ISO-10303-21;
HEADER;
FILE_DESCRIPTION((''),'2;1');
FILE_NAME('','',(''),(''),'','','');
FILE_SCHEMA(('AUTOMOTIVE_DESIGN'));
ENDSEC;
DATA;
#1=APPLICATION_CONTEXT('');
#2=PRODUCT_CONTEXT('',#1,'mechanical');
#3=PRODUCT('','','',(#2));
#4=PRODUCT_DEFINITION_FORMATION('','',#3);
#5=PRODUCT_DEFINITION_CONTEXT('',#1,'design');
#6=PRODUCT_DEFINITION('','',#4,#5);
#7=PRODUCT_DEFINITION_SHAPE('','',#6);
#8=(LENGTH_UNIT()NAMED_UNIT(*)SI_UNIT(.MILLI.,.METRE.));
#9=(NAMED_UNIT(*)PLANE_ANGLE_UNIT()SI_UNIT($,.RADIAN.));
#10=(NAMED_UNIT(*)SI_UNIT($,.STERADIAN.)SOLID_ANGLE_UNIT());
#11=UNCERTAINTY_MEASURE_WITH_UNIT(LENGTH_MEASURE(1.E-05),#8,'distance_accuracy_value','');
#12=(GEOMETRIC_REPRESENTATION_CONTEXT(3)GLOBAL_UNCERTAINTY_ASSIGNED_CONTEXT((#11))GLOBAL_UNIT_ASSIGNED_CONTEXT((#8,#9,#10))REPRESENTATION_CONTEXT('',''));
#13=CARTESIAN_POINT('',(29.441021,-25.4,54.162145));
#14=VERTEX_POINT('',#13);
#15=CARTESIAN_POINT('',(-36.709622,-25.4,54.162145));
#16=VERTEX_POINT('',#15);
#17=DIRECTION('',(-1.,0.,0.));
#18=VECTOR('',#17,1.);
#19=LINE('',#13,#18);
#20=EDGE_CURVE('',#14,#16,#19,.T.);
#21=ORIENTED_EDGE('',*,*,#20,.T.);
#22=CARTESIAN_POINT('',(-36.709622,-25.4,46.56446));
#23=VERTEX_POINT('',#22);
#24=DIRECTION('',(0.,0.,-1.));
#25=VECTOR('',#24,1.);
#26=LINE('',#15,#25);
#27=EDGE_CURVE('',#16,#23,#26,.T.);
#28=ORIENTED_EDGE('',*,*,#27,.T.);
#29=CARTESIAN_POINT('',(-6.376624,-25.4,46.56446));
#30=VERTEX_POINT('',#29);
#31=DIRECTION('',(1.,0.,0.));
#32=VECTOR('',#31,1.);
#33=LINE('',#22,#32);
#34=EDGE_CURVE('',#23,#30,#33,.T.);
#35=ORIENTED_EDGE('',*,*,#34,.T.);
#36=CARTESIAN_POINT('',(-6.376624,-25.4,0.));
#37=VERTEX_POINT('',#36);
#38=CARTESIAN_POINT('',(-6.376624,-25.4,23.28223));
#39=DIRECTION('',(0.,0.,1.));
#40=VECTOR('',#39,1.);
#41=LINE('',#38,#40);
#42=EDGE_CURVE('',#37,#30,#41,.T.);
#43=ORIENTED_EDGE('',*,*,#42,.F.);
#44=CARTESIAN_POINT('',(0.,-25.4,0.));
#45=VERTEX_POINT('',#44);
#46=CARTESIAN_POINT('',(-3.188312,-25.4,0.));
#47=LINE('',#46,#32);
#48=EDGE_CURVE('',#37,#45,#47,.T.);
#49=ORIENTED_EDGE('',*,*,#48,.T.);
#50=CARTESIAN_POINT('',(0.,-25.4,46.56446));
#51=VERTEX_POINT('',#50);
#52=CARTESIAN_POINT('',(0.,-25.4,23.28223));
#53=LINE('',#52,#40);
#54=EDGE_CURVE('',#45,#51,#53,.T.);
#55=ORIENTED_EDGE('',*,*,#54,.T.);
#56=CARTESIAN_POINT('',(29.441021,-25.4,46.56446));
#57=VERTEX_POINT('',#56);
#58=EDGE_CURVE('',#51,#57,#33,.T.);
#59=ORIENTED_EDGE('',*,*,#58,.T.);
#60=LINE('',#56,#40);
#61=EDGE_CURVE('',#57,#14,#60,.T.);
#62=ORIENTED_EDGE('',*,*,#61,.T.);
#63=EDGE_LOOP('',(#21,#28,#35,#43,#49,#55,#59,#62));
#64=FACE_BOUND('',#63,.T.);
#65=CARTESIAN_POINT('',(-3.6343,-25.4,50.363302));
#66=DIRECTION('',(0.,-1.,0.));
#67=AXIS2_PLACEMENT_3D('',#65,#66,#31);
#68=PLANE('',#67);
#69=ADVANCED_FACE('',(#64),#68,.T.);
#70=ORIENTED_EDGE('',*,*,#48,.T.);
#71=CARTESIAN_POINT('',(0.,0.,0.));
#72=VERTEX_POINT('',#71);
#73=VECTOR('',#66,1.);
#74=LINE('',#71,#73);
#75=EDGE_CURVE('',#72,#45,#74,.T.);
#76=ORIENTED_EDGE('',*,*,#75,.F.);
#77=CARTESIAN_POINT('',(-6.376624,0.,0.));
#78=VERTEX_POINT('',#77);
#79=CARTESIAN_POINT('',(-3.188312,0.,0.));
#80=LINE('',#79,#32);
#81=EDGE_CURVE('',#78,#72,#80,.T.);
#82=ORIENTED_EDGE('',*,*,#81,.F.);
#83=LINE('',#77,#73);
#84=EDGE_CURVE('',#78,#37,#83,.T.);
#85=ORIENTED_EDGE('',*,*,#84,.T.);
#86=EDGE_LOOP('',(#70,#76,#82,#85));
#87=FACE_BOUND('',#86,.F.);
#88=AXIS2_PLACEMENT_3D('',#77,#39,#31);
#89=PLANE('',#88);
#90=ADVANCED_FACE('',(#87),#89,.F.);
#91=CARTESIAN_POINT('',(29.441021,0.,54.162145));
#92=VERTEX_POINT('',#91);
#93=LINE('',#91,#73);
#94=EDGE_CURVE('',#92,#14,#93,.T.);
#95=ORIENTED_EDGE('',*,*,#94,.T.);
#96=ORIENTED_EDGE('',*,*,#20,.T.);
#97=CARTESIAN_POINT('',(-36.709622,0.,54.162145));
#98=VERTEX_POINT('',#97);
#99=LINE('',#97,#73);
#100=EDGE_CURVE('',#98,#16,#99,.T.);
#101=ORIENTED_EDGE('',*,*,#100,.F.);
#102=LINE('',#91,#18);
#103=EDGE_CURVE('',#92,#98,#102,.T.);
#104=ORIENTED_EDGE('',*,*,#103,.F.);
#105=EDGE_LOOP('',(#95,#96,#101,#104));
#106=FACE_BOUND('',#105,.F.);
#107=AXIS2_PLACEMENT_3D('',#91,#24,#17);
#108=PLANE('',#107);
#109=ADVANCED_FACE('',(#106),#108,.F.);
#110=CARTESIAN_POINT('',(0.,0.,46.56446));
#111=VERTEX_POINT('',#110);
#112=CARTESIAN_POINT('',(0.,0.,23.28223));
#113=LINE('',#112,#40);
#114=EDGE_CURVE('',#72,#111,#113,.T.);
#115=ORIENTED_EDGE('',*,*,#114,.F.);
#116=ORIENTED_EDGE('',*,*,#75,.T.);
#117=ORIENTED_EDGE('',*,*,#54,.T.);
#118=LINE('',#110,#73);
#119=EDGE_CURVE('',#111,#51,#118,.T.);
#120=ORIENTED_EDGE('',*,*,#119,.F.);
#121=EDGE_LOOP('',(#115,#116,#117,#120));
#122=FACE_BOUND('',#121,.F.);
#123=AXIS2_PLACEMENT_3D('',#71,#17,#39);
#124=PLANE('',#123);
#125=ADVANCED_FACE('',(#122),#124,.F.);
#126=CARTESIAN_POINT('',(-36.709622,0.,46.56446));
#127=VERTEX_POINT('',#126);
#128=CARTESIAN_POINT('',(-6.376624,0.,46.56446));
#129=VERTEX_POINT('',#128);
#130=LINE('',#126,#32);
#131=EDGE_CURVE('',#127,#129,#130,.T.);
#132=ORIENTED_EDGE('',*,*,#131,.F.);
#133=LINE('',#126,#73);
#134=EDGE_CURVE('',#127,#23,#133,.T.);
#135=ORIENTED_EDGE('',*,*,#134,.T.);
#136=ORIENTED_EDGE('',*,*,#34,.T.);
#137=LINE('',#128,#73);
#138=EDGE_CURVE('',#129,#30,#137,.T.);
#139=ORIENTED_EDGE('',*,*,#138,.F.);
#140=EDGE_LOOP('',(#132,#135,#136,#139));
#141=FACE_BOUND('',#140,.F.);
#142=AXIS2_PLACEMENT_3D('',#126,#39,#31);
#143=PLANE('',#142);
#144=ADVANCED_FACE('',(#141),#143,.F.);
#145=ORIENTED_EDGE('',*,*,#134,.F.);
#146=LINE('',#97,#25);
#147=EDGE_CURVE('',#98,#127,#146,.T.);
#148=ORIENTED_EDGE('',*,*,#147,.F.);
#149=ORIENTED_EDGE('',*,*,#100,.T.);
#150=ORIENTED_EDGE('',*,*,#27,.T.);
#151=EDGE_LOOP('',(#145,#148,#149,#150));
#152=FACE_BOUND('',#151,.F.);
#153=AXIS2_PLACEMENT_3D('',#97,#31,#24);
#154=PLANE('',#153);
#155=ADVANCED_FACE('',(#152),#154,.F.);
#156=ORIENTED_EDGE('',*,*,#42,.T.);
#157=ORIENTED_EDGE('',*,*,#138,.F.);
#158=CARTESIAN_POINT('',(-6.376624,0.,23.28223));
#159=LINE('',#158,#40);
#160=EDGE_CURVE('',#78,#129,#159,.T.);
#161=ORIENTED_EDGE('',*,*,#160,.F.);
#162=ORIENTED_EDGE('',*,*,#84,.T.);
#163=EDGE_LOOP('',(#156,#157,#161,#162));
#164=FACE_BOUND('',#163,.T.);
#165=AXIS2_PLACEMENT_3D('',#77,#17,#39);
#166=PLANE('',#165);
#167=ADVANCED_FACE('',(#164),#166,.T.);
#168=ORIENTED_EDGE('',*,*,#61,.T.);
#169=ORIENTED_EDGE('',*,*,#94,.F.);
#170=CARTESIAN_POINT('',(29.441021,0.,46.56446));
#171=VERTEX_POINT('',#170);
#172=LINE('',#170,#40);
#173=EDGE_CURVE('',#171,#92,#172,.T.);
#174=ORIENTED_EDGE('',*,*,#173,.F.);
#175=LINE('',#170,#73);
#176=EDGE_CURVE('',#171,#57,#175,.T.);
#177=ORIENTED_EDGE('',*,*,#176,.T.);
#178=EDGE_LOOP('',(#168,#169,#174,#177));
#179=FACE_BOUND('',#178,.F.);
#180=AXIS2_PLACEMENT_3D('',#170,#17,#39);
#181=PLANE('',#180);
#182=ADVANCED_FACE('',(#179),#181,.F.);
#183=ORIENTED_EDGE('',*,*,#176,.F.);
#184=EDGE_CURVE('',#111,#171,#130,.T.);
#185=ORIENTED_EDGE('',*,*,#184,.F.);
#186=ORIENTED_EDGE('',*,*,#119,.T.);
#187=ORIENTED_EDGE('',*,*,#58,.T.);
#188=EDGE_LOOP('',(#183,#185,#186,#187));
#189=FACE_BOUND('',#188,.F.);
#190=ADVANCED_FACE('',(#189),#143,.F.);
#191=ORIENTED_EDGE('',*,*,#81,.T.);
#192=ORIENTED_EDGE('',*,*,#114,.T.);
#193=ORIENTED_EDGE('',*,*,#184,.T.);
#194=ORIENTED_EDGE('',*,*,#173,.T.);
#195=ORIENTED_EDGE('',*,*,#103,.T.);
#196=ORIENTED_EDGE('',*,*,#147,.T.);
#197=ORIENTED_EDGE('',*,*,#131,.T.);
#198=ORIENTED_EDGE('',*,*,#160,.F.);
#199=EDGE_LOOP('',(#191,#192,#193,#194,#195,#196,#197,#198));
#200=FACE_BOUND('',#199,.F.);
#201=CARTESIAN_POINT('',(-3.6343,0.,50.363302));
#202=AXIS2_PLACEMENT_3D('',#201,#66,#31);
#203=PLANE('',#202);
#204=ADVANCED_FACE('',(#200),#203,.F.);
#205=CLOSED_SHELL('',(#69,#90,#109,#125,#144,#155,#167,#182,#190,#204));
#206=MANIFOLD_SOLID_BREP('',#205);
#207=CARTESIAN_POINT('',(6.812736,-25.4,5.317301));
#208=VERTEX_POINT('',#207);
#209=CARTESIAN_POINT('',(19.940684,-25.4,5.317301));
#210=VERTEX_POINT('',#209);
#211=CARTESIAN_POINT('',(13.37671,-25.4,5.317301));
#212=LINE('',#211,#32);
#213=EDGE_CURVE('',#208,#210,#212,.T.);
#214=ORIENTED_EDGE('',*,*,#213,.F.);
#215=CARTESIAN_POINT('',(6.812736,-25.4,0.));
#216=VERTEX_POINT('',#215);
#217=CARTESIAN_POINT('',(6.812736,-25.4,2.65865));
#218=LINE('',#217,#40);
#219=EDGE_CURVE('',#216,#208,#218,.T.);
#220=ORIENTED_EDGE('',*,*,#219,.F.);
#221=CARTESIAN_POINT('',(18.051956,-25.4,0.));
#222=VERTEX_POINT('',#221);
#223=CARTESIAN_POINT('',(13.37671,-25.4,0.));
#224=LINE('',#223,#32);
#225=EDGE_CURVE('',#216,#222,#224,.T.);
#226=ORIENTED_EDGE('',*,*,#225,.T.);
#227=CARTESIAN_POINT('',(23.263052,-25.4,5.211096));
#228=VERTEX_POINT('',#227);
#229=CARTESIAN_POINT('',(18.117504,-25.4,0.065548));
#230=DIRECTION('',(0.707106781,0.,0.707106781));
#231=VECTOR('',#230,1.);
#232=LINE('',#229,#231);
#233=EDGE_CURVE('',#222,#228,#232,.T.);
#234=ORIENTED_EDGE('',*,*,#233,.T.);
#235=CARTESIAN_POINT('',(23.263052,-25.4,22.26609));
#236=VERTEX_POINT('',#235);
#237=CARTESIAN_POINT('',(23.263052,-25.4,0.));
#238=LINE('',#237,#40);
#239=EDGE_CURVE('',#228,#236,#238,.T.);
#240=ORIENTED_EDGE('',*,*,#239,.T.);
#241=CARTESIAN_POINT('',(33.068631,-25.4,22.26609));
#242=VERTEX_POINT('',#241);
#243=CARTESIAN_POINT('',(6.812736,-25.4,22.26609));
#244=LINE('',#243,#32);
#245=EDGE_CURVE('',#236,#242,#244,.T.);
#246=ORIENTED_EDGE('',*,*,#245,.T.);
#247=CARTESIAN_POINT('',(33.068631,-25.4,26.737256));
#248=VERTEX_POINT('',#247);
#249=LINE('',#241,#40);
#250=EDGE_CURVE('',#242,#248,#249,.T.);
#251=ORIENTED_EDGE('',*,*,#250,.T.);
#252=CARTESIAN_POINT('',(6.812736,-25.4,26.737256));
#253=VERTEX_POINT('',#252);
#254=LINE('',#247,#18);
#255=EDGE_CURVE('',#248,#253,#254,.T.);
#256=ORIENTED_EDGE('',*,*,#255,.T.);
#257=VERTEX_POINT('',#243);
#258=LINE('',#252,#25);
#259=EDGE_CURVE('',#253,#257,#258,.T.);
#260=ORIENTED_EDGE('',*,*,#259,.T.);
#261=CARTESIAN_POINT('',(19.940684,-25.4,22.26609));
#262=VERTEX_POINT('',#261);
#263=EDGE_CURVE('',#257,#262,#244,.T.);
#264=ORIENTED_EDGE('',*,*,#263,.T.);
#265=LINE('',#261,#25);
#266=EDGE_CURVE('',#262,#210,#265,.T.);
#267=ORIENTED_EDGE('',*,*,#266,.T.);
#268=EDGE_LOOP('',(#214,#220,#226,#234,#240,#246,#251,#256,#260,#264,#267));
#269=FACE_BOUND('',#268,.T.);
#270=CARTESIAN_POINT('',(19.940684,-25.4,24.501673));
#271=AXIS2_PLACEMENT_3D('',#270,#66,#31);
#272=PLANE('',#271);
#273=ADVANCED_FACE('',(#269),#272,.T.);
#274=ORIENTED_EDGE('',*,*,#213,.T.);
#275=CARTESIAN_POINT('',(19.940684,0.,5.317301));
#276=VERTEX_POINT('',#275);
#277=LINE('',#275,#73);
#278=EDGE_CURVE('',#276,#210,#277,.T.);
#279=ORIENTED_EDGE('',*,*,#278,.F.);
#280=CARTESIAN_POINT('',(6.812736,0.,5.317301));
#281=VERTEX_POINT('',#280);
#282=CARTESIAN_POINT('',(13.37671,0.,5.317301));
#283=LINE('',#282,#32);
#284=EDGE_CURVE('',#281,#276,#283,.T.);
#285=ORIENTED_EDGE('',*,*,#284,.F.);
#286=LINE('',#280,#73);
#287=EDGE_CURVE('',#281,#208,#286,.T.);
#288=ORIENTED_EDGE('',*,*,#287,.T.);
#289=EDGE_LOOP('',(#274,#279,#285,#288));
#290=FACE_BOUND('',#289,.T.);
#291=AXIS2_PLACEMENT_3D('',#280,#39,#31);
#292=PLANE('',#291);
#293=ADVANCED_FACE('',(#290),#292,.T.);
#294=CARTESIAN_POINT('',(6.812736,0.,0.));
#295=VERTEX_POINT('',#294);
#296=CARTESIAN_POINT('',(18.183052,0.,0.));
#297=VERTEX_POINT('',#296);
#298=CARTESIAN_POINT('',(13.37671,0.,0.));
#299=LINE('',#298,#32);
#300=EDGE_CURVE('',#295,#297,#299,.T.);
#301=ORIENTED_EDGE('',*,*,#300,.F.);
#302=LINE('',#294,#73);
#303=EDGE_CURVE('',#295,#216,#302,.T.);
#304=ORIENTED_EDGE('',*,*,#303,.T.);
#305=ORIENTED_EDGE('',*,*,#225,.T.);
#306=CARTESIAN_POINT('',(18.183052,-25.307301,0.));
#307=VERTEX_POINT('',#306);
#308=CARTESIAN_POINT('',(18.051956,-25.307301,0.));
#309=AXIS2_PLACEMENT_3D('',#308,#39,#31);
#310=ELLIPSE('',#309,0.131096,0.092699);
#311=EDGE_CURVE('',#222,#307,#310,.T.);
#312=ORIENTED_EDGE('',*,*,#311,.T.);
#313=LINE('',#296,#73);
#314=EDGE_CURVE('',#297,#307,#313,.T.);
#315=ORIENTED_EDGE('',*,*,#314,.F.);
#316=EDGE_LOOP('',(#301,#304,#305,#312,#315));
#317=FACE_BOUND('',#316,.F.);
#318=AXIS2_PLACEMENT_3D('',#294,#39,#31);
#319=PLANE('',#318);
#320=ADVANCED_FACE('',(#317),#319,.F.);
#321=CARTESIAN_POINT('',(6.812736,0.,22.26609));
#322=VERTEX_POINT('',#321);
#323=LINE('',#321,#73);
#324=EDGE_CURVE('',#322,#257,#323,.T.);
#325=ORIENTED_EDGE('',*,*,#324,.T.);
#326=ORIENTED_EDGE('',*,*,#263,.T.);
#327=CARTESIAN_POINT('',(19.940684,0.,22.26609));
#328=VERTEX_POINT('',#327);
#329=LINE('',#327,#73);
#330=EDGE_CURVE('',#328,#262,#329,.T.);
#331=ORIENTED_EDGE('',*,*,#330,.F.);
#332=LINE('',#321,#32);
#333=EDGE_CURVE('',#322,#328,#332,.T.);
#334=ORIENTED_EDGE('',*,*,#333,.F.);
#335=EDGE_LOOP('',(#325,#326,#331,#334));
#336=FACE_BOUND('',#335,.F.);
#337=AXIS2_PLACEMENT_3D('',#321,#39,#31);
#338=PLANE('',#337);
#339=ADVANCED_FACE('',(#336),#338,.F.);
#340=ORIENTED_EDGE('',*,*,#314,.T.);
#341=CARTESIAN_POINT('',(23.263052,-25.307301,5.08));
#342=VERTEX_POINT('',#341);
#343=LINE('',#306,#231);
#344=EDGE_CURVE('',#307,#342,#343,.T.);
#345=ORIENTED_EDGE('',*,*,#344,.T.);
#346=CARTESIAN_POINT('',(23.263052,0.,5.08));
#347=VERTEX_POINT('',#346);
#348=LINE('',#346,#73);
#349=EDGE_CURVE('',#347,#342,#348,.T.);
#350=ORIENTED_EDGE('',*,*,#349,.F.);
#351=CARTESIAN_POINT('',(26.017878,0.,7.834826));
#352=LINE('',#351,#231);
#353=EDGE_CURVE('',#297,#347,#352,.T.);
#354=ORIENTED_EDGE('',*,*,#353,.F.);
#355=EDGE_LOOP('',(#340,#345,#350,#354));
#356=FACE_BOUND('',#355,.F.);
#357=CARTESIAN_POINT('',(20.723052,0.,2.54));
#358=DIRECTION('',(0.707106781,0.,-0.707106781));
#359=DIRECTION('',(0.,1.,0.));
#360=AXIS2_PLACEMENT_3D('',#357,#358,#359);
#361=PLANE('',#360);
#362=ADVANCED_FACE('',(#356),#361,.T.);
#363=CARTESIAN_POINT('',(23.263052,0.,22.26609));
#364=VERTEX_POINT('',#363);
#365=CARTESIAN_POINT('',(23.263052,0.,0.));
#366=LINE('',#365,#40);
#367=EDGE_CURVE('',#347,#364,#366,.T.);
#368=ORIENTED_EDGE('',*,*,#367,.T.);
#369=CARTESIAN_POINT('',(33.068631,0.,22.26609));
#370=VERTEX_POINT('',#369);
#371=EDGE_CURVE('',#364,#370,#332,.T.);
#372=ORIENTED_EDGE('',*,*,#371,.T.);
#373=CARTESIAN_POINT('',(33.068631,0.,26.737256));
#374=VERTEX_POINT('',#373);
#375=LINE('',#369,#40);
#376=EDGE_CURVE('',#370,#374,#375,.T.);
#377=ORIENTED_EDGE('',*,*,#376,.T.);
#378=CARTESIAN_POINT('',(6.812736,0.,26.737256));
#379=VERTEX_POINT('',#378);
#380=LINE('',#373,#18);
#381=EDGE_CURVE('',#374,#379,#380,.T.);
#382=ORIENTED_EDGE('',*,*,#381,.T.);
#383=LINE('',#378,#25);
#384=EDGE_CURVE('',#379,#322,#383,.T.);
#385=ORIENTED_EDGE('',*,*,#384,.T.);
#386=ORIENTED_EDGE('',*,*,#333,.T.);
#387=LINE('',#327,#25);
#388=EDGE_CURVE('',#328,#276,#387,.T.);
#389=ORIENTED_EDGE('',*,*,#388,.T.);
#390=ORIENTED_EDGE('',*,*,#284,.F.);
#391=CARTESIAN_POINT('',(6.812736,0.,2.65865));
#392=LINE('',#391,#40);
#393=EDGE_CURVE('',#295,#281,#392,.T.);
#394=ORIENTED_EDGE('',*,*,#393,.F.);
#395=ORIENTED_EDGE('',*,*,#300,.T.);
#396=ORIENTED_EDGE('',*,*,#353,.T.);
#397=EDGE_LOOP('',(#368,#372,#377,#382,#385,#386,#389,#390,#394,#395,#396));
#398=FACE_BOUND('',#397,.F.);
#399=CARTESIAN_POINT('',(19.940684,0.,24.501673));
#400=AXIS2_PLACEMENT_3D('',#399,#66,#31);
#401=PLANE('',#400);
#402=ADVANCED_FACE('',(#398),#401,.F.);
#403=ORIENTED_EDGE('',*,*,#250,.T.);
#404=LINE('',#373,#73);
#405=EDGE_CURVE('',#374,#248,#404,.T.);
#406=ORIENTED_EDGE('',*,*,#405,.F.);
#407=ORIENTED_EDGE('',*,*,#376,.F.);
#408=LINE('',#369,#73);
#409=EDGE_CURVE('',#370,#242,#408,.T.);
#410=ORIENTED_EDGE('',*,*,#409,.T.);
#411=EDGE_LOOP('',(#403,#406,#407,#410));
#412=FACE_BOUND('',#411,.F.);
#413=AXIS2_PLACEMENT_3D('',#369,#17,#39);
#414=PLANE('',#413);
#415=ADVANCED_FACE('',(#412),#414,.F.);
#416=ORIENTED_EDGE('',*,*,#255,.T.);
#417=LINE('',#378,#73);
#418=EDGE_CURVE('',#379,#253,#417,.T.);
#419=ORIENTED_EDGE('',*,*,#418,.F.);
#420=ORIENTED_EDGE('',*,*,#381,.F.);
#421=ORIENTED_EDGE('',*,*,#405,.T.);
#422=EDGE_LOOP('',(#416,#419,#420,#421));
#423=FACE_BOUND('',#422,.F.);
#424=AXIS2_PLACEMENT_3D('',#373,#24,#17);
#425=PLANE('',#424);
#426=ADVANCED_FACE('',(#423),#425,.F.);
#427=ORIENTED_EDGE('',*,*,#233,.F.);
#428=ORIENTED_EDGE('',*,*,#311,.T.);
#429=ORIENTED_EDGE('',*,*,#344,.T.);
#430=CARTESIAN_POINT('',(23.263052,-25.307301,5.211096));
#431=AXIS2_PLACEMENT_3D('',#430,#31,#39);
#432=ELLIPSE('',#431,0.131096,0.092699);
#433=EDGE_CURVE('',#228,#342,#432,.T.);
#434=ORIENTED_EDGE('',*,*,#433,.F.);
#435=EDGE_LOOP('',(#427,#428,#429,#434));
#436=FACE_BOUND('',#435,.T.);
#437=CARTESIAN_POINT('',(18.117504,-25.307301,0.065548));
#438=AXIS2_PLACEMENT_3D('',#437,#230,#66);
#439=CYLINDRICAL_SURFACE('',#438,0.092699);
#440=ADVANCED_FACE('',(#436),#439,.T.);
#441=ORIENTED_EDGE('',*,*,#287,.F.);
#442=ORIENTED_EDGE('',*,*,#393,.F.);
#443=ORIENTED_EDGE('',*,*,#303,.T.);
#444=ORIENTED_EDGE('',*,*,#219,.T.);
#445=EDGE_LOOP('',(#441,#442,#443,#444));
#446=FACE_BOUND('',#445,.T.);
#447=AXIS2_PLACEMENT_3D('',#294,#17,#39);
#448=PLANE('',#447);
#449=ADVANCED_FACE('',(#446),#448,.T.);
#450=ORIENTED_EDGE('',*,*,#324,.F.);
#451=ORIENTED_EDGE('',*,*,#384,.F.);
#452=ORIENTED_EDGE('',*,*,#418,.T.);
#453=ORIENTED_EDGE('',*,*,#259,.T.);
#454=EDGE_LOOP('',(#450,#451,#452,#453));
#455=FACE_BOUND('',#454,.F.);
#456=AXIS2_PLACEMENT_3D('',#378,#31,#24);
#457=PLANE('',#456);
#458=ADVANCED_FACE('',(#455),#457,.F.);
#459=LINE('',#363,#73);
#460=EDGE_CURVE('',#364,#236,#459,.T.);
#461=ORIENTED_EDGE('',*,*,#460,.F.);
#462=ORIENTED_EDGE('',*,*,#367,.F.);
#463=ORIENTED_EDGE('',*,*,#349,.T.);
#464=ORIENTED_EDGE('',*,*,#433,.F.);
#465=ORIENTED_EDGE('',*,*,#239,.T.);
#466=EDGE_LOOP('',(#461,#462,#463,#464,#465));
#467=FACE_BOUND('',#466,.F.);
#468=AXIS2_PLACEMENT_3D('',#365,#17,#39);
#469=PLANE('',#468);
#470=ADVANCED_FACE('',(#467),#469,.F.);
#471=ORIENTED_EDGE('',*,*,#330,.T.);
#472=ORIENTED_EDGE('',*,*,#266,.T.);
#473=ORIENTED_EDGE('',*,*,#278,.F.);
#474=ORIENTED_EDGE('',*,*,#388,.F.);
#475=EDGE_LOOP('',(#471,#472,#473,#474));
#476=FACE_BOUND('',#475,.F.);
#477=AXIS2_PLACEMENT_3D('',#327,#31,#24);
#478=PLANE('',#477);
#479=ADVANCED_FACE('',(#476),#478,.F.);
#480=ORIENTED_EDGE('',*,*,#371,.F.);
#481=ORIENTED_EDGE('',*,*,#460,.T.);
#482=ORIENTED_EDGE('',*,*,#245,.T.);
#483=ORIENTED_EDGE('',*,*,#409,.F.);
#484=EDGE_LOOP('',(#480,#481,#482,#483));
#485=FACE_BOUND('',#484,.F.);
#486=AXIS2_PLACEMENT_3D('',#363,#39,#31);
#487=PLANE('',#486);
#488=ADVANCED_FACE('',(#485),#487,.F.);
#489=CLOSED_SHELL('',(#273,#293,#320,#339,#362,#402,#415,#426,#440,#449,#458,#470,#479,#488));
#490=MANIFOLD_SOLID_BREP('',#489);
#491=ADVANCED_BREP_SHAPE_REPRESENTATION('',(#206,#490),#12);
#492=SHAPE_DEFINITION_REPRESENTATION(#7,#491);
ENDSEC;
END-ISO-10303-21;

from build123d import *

# Parameters (mm, degrees)
F1_DEPTH = 25.4
F0_W     = 6.3766241074
F0_H     = 46.5644598007
F2_DEPTH = 25.4
F3_W     = 13.1279472262
F3_H     = 5.3173005581
F4_DEPTH = 25.4
F5_SIZE  = 5.08
F6_R     = 0.0926991994


with BuildPart() as f1:
    # F0 (on Front) → F1 (new body)
    with BuildSketch(Plane.XZ):
        Polygon((29.4410213828, 54.1621446609), (-36.7096215487, 54.1621446609), (-36.7096215487, 46.5644598007), (-6.3766241074, 46.5644598007), (0, 46.5644598007), (29.4410213828, 46.5644598007), align=None)
    extrude(amount=F1_DEPTH)

    # F0 (on Front) → F2 (join)
    with BuildSketch(Plane.XZ):
        with Locations((-3.1883120537, 23.2822299004)):
            Rectangle(F0_W, F0_H)
    extrude(amount=F2_DEPTH)


with BuildPart() as f4:
    # F3 (on Front) → F4 (new body)
    with BuildSketch(Plane.XZ):
        Polygon((33.0686308444, 26.7372559756), (6.812736392, 26.7372559756), (6.812736392, 22.2660899162), (19.9406836182, 22.2660899162), (23.2630521059, 22.2660899162), (33.0686308444, 22.2660899162), align=None)
        Polygon((23.2630521059, 22.2660899162), (19.9406836182, 22.2660899162), (19.9406836182, 5.3173005581), (19.9406836182, 0), (23.2630521059, 0), align=None)
        with Locations((13.3767100051, 2.658650279)):
            Rectangle(F3_W, F3_H)
    extrude(amount=F4_DEPTH)

    # F5
    f5_edges = [f4.edges().sort_by_distance(p)[0] for p in [
        (23.263052, -12.7, 0),
    ]]
    chamfer(f5_edges, length=F5_SIZE)

    # F6
    f6_edges = [f4.edges().sort_by_distance(p)[0] for p in [
        (20.723052, -25.4, 2.54),
    ]]
    fillet(f6_edges, radius=F6_R)


solid = Compound([f1.part, f4.part])
